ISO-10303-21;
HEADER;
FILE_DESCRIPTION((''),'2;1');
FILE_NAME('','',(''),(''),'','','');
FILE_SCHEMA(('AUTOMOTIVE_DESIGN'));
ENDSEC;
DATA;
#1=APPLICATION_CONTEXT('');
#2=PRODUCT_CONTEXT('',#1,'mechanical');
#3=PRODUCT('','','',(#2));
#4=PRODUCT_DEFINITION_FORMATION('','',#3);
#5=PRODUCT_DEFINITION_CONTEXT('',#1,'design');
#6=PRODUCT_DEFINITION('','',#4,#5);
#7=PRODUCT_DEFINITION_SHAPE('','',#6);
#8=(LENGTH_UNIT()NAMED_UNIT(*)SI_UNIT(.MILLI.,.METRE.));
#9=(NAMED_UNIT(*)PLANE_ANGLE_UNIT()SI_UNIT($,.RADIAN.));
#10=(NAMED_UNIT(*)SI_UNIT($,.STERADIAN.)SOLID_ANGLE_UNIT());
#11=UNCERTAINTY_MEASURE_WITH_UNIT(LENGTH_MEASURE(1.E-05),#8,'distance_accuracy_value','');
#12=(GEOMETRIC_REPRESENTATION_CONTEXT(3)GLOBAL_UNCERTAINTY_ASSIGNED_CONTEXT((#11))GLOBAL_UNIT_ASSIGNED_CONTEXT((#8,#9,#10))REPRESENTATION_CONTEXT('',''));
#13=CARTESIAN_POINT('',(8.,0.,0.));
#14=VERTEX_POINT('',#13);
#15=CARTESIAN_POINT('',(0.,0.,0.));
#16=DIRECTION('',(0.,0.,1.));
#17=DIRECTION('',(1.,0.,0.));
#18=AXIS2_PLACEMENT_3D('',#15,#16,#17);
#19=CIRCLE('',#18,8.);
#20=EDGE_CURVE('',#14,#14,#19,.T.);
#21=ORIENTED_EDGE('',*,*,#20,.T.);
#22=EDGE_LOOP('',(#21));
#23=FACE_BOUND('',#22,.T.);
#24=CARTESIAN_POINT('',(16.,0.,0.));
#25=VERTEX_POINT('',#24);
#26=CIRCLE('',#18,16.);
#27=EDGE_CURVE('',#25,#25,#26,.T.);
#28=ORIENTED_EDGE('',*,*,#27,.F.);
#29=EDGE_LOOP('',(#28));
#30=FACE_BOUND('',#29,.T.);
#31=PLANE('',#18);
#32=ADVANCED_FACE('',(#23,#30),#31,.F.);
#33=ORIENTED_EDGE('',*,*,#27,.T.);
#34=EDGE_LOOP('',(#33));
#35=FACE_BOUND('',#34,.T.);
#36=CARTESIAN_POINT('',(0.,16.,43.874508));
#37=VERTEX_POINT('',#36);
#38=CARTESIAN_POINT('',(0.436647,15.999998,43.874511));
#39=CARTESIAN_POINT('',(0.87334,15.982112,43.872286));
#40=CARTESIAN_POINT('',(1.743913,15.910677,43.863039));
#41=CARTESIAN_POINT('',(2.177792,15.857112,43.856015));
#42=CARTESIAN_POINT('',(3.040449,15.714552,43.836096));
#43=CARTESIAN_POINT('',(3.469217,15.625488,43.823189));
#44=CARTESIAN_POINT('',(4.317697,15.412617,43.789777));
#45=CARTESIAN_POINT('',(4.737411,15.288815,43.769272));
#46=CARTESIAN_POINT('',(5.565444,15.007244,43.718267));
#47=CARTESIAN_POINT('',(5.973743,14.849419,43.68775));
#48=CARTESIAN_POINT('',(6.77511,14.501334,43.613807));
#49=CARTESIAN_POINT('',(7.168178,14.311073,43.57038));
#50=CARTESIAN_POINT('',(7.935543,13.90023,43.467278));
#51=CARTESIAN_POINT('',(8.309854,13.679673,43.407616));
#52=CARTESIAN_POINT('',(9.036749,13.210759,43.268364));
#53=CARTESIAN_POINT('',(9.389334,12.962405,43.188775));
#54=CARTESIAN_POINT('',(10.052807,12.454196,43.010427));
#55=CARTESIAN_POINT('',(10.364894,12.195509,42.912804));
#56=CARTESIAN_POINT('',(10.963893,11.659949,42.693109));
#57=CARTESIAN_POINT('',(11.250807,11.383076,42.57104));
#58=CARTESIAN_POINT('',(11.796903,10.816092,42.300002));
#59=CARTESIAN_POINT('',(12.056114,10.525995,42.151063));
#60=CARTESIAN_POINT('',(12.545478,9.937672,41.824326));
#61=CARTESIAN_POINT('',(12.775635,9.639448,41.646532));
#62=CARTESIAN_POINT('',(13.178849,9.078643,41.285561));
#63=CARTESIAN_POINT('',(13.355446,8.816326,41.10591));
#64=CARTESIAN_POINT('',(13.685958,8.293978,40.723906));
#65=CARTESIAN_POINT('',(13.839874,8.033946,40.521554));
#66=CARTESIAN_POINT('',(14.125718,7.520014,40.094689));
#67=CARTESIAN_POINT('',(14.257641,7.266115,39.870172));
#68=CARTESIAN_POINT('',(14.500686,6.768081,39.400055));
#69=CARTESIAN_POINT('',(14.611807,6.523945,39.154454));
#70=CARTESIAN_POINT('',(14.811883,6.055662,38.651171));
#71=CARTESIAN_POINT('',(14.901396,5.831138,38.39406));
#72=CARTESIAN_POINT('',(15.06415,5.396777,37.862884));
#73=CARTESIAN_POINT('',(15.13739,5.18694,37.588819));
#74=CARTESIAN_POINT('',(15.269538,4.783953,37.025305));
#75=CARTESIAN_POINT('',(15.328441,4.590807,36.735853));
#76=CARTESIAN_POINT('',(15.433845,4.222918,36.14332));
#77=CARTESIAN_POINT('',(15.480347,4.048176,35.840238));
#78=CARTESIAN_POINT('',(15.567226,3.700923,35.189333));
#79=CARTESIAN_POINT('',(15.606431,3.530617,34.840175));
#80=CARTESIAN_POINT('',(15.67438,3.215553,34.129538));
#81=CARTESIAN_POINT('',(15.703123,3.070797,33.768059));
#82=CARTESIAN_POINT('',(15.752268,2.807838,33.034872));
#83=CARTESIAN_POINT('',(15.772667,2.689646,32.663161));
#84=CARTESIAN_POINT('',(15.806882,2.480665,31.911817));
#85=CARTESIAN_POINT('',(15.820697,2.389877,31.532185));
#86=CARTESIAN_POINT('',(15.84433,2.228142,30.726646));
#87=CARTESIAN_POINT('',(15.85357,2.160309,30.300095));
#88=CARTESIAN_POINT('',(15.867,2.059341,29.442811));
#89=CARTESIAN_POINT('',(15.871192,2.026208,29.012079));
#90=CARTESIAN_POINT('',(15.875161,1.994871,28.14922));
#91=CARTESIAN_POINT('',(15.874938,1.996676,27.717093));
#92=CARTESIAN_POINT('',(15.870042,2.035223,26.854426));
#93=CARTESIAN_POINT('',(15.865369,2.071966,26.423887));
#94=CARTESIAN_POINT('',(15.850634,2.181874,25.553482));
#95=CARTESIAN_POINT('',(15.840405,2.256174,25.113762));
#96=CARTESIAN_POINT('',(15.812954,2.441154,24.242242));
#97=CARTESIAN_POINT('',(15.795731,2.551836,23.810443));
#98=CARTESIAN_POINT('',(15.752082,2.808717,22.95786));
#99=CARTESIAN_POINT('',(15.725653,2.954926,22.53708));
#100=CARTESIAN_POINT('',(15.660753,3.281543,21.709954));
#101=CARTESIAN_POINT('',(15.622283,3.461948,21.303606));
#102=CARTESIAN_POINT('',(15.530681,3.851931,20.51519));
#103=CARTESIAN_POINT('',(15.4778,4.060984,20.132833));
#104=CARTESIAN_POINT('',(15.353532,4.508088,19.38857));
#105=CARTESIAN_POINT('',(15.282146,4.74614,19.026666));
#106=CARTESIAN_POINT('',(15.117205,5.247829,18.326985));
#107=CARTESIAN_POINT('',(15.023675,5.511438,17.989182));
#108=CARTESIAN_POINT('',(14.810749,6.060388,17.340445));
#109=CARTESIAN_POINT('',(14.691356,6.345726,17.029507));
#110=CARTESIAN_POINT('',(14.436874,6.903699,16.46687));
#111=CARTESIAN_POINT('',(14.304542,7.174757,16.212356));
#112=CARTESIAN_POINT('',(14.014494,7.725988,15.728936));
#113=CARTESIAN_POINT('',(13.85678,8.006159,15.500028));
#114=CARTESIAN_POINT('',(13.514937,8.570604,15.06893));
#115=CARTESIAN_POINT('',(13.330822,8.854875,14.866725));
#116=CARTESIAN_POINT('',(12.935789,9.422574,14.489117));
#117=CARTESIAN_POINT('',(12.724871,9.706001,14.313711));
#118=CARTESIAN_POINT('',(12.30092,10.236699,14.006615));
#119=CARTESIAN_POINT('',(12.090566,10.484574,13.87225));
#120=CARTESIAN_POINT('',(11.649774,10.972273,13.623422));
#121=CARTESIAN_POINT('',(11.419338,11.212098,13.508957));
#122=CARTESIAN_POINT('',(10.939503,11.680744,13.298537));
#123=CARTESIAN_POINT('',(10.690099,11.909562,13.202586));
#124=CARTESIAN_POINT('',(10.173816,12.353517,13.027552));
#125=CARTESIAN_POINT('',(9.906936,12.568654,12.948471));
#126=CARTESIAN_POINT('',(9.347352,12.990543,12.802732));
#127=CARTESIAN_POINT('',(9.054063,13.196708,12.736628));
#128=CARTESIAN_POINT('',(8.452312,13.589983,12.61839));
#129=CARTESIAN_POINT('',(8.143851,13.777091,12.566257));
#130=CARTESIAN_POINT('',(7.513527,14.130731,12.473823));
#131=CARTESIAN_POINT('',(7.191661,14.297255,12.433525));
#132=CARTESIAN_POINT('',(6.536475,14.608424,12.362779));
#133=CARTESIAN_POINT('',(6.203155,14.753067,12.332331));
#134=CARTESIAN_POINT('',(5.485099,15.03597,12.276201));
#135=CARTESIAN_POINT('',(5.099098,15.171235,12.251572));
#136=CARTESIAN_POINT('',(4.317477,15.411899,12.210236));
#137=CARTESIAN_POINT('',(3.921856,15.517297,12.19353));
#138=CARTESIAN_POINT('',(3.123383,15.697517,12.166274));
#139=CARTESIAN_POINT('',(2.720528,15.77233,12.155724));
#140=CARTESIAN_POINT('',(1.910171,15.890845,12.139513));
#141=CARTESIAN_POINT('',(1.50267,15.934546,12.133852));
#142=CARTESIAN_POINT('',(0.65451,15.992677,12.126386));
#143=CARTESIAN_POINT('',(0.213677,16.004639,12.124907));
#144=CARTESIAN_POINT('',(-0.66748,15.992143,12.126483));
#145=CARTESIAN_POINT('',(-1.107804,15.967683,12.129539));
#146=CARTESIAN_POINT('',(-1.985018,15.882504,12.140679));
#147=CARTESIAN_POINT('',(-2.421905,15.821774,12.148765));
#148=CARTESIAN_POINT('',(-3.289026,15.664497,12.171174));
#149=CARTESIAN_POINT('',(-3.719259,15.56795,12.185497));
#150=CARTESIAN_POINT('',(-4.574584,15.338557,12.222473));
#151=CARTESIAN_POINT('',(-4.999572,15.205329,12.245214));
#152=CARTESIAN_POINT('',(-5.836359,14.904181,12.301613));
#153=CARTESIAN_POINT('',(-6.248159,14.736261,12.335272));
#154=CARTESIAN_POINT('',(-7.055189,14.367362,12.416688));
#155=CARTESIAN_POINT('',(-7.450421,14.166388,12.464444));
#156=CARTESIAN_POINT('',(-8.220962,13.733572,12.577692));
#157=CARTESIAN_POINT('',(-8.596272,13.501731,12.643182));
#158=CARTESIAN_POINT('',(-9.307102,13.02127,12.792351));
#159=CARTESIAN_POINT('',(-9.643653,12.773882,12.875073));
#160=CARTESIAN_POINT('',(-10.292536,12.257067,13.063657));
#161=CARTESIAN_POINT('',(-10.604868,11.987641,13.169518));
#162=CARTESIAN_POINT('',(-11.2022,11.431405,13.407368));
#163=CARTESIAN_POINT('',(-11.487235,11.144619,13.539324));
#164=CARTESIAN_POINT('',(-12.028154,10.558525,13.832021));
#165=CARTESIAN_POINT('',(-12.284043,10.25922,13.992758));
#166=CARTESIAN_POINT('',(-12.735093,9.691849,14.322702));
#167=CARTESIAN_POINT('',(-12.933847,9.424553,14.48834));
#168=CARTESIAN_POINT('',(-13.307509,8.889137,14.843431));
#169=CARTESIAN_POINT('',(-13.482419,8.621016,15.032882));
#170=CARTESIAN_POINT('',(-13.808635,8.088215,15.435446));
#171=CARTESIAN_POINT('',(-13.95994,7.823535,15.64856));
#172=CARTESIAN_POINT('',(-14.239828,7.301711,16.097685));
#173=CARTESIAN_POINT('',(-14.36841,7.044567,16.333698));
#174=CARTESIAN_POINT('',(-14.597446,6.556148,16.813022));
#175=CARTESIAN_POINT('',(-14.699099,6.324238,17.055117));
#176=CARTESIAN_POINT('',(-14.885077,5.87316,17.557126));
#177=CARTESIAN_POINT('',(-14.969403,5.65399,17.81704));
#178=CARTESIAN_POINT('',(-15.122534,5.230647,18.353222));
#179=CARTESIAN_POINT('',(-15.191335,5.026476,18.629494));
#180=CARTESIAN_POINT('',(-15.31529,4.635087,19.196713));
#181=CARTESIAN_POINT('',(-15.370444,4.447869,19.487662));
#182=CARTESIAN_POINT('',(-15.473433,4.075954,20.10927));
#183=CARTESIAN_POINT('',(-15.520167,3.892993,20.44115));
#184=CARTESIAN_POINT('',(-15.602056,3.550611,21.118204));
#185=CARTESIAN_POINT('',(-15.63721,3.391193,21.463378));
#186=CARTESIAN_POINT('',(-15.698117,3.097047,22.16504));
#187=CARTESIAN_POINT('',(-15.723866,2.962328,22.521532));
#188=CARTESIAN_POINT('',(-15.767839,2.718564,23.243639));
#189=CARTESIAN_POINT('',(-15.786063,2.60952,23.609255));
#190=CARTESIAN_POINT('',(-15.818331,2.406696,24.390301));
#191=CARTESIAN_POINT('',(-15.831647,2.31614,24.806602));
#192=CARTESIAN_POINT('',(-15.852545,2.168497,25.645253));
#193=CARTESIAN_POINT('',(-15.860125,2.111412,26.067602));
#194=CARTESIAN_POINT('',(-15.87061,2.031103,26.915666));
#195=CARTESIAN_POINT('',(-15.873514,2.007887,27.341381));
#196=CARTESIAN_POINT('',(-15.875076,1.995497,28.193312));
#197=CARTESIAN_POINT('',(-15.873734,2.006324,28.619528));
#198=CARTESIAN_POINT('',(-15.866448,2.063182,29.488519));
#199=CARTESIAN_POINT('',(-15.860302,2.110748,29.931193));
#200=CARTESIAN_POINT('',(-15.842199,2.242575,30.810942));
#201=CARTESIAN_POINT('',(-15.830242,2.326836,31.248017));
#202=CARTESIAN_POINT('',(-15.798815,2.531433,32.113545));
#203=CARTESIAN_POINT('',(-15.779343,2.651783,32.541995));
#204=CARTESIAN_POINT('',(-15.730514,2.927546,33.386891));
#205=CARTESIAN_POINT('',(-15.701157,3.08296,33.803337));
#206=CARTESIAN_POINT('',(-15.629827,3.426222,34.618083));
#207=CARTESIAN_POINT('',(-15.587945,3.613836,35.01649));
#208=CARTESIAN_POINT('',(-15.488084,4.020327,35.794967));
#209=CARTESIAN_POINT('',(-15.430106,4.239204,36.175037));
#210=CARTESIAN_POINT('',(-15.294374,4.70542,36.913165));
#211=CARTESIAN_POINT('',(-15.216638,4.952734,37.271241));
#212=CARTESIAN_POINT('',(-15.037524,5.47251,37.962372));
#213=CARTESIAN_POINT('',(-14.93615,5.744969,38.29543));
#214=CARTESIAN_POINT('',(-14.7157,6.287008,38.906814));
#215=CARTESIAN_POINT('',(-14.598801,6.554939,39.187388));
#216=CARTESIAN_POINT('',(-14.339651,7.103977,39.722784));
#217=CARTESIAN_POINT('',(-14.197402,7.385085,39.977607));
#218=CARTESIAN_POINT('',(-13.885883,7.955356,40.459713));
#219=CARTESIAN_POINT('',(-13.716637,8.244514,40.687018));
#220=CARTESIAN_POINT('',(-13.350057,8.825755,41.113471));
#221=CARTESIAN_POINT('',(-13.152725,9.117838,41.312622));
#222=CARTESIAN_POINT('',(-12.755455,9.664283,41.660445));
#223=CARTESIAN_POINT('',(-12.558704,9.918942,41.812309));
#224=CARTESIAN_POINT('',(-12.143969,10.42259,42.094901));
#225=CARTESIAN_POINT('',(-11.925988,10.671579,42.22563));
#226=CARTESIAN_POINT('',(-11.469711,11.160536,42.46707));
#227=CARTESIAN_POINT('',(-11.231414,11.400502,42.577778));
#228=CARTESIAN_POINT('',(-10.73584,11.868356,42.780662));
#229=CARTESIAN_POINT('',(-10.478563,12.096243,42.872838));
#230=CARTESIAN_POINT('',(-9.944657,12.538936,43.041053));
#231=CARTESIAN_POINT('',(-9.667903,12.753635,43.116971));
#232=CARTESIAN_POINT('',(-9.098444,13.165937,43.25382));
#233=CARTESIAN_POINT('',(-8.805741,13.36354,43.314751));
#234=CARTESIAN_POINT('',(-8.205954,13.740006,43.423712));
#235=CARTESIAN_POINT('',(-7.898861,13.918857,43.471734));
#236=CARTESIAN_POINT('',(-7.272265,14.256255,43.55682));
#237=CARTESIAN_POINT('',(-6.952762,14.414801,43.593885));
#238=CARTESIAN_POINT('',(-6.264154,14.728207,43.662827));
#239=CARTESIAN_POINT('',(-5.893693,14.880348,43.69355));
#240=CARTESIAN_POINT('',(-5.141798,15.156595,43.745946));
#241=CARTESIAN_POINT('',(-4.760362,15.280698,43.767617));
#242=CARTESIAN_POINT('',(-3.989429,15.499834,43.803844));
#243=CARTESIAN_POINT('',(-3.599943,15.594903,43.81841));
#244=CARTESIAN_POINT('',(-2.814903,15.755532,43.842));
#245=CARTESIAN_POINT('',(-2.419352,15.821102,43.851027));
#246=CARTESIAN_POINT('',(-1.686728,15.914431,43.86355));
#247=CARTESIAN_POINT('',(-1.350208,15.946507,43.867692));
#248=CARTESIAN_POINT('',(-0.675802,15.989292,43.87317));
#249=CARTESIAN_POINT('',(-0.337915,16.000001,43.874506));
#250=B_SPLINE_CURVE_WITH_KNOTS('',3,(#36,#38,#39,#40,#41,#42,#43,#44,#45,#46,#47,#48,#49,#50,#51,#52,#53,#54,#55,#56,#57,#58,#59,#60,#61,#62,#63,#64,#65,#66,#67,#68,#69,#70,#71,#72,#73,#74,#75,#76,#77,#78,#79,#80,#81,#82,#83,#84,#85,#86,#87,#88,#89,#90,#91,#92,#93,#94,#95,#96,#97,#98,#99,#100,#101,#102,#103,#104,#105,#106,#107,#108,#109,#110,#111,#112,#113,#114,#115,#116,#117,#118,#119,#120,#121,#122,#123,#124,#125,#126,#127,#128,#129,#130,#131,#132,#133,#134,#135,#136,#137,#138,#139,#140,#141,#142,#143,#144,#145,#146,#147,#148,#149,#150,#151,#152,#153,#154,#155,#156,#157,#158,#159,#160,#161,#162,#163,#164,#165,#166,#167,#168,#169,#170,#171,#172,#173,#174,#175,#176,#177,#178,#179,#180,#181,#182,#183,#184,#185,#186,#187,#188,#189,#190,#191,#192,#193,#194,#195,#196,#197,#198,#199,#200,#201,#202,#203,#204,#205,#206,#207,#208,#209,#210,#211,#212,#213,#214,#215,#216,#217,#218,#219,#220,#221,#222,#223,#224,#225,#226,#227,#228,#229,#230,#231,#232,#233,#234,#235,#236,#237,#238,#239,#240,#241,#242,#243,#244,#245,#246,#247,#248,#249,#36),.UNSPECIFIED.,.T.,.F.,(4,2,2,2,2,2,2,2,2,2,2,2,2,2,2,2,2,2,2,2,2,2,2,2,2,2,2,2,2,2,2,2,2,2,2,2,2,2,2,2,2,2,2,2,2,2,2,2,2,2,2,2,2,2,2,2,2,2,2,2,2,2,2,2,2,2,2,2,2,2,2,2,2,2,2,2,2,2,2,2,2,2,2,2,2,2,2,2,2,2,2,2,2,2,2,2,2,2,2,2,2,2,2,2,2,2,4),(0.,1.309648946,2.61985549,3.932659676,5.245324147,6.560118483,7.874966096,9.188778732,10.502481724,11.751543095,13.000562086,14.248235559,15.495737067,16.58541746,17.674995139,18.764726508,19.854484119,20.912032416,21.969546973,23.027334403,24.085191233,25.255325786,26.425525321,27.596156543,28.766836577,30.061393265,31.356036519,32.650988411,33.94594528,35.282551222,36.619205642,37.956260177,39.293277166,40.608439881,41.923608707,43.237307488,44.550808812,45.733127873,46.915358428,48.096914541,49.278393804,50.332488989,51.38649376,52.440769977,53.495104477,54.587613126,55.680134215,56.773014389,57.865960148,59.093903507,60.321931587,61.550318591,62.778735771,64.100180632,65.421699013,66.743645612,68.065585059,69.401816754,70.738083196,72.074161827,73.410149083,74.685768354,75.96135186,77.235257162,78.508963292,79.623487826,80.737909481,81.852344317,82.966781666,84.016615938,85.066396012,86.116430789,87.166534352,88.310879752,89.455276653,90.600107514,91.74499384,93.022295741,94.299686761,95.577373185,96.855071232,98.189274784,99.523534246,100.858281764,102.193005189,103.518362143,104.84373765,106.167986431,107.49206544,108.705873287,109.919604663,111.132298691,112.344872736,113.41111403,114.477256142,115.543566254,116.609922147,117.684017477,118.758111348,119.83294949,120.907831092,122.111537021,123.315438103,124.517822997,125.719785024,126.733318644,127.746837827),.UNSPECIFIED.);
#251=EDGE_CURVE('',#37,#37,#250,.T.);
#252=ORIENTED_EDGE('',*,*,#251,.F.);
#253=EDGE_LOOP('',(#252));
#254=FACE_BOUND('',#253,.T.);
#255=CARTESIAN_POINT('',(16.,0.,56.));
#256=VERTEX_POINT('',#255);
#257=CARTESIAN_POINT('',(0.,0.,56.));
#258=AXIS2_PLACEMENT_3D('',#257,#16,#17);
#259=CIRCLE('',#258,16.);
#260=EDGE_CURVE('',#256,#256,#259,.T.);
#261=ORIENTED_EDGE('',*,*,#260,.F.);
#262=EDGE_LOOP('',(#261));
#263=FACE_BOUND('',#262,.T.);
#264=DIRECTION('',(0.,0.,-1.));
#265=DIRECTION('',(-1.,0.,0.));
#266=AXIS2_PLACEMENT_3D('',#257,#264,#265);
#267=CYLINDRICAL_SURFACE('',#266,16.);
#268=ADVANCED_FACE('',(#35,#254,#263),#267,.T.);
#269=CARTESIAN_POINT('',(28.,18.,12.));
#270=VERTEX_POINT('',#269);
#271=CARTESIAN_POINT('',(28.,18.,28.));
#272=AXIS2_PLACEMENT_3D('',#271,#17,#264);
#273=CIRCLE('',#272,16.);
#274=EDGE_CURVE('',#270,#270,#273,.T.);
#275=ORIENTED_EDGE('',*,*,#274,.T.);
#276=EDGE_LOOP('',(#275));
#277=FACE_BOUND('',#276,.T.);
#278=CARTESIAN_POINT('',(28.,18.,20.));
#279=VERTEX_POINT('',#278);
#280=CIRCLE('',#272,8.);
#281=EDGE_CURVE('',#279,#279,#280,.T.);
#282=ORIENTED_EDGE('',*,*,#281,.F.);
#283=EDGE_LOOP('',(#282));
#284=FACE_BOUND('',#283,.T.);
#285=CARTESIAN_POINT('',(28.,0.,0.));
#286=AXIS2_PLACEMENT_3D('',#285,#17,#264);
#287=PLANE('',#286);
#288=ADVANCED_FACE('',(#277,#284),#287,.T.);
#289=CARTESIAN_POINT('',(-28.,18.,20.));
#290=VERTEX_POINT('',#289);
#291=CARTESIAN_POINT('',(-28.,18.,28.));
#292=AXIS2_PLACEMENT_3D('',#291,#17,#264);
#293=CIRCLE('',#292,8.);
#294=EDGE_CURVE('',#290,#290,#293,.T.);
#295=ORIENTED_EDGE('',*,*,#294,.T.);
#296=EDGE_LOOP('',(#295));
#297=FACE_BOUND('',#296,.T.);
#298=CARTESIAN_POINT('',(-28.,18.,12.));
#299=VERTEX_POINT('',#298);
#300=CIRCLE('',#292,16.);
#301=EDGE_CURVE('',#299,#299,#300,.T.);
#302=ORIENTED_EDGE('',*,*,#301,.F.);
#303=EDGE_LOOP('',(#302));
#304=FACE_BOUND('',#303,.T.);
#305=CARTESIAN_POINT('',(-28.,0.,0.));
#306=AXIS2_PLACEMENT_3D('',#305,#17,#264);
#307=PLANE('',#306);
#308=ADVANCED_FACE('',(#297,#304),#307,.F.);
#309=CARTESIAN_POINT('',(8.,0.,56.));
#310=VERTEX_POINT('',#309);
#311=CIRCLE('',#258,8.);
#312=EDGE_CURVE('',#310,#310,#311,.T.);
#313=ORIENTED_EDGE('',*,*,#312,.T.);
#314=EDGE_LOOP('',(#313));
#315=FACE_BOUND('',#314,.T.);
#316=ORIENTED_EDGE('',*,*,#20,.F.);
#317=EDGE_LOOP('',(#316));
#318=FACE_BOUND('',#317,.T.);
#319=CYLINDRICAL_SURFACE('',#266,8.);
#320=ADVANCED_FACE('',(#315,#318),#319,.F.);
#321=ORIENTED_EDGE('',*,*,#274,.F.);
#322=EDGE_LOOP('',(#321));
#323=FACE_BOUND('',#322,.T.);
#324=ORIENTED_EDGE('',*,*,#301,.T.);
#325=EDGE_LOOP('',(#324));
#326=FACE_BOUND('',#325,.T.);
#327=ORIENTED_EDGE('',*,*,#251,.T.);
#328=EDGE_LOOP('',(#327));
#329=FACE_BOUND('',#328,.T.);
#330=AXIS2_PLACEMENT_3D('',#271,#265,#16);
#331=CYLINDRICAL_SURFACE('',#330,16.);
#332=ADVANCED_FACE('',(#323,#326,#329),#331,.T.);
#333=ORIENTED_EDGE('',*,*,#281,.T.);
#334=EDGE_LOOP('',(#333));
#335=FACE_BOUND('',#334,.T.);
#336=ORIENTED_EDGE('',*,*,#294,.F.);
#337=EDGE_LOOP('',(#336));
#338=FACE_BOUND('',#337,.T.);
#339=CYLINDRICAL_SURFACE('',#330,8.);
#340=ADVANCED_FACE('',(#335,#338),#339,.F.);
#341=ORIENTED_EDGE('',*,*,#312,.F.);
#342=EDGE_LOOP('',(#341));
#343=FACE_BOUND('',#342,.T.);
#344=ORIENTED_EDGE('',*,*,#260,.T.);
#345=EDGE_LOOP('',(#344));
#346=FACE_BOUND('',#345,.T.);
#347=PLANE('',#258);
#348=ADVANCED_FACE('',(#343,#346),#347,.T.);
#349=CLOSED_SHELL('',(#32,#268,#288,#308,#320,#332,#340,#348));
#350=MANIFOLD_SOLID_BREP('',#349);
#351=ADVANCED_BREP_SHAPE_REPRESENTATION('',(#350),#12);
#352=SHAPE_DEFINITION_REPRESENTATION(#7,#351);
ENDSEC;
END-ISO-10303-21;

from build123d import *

# Parameters (mm, degrees)
SKETCH2_R           = 16
SKETCH2_R_2         = 8
BOSS_EXTRUDE1_DEPTH = 56
BOSS_EXTRUDE2_DEPTH = 28
SKETCH4_R           = 8
CUT_EXTRUDE1_DEPTH  = 28
SKETCH5_R           = 8
CUT_EXTRUDE2_DEPTH  = 56


with BuildPart() as part:
    # Sketch2 → Boss-Extrude1 (new body)
    with BuildSketch(Plane.XY):
        Circle(SKETCH2_R)
        Circle(SKETCH2_R_2, mode=Mode.SUBTRACT)
    extrude(amount=BOSS_EXTRUDE1_DEPTH)

    # Sketch3 → Boss-Extrude2 (add, symmetric)
    with BuildSketch(Plane(origin=(0, 0, 0), x_dir=(0, 0, -1), z_dir=(1, 0, 0))):
        with BuildLine():
            ThreePointArc((-44, 18), (-28, 2), (-12, 18))
            Line((-12, 18), (-20, 18))
            ThreePointArc((-20, 18), (-28, 10), (-36, 18))
            Line((-36, 18), (-44, 18))
        make_face()
        with BuildLine():
            Line((-20, 18), (-12, 18))
            ThreePointArc((-12, 18), (-28, 34), (-44, 18))
            Line((-44, 18), (-36, 18))
            ThreePointArc((-36, 18), (-28, 26), (-20, 18))
        make_face()
        with BuildLine():
            ThreePointArc((-44, 18), (-28, 2), (-12, 18))
            Line((-12, 18), (-20, 18))
            ThreePointArc((-20, 18), (-28, 10), (-36, 18))
            Line((-36, 18), (-44, 18))
        make_face()
        with BuildLine():
            Line((-20, 18), (-12, 18))
            ThreePointArc((-12, 18), (-28, 34), (-44, 18))
            Line((-44, 18), (-36, 18))
            ThreePointArc((-36, 18), (-28, 26), (-20, 18))
        make_face()
    extrude(amount=BOSS_EXTRUDE2_DEPTH, both=True)

    # Sketch4 → Cut-Extrude1 (cut, symmetric)
    with BuildSketch(Plane(origin=(0, 0, 0), x_dir=(0, 0, -1), z_dir=(1, 0, 0))):
        with Locations((-28, 18)):
            Circle(SKETCH4_R)
    extrude(amount=CUT_EXTRUDE1_DEPTH, both=True, mode=Mode.SUBTRACT)

    # Sketch5 → Cut-Extrude2 (cut)
    with BuildSketch(Plane.XY):
        Circle(SKETCH5_R)
    extrude(amount=CUT_EXTRUDE2_DEPTH, mode=Mode.SUBTRACT)


solid = part.part
